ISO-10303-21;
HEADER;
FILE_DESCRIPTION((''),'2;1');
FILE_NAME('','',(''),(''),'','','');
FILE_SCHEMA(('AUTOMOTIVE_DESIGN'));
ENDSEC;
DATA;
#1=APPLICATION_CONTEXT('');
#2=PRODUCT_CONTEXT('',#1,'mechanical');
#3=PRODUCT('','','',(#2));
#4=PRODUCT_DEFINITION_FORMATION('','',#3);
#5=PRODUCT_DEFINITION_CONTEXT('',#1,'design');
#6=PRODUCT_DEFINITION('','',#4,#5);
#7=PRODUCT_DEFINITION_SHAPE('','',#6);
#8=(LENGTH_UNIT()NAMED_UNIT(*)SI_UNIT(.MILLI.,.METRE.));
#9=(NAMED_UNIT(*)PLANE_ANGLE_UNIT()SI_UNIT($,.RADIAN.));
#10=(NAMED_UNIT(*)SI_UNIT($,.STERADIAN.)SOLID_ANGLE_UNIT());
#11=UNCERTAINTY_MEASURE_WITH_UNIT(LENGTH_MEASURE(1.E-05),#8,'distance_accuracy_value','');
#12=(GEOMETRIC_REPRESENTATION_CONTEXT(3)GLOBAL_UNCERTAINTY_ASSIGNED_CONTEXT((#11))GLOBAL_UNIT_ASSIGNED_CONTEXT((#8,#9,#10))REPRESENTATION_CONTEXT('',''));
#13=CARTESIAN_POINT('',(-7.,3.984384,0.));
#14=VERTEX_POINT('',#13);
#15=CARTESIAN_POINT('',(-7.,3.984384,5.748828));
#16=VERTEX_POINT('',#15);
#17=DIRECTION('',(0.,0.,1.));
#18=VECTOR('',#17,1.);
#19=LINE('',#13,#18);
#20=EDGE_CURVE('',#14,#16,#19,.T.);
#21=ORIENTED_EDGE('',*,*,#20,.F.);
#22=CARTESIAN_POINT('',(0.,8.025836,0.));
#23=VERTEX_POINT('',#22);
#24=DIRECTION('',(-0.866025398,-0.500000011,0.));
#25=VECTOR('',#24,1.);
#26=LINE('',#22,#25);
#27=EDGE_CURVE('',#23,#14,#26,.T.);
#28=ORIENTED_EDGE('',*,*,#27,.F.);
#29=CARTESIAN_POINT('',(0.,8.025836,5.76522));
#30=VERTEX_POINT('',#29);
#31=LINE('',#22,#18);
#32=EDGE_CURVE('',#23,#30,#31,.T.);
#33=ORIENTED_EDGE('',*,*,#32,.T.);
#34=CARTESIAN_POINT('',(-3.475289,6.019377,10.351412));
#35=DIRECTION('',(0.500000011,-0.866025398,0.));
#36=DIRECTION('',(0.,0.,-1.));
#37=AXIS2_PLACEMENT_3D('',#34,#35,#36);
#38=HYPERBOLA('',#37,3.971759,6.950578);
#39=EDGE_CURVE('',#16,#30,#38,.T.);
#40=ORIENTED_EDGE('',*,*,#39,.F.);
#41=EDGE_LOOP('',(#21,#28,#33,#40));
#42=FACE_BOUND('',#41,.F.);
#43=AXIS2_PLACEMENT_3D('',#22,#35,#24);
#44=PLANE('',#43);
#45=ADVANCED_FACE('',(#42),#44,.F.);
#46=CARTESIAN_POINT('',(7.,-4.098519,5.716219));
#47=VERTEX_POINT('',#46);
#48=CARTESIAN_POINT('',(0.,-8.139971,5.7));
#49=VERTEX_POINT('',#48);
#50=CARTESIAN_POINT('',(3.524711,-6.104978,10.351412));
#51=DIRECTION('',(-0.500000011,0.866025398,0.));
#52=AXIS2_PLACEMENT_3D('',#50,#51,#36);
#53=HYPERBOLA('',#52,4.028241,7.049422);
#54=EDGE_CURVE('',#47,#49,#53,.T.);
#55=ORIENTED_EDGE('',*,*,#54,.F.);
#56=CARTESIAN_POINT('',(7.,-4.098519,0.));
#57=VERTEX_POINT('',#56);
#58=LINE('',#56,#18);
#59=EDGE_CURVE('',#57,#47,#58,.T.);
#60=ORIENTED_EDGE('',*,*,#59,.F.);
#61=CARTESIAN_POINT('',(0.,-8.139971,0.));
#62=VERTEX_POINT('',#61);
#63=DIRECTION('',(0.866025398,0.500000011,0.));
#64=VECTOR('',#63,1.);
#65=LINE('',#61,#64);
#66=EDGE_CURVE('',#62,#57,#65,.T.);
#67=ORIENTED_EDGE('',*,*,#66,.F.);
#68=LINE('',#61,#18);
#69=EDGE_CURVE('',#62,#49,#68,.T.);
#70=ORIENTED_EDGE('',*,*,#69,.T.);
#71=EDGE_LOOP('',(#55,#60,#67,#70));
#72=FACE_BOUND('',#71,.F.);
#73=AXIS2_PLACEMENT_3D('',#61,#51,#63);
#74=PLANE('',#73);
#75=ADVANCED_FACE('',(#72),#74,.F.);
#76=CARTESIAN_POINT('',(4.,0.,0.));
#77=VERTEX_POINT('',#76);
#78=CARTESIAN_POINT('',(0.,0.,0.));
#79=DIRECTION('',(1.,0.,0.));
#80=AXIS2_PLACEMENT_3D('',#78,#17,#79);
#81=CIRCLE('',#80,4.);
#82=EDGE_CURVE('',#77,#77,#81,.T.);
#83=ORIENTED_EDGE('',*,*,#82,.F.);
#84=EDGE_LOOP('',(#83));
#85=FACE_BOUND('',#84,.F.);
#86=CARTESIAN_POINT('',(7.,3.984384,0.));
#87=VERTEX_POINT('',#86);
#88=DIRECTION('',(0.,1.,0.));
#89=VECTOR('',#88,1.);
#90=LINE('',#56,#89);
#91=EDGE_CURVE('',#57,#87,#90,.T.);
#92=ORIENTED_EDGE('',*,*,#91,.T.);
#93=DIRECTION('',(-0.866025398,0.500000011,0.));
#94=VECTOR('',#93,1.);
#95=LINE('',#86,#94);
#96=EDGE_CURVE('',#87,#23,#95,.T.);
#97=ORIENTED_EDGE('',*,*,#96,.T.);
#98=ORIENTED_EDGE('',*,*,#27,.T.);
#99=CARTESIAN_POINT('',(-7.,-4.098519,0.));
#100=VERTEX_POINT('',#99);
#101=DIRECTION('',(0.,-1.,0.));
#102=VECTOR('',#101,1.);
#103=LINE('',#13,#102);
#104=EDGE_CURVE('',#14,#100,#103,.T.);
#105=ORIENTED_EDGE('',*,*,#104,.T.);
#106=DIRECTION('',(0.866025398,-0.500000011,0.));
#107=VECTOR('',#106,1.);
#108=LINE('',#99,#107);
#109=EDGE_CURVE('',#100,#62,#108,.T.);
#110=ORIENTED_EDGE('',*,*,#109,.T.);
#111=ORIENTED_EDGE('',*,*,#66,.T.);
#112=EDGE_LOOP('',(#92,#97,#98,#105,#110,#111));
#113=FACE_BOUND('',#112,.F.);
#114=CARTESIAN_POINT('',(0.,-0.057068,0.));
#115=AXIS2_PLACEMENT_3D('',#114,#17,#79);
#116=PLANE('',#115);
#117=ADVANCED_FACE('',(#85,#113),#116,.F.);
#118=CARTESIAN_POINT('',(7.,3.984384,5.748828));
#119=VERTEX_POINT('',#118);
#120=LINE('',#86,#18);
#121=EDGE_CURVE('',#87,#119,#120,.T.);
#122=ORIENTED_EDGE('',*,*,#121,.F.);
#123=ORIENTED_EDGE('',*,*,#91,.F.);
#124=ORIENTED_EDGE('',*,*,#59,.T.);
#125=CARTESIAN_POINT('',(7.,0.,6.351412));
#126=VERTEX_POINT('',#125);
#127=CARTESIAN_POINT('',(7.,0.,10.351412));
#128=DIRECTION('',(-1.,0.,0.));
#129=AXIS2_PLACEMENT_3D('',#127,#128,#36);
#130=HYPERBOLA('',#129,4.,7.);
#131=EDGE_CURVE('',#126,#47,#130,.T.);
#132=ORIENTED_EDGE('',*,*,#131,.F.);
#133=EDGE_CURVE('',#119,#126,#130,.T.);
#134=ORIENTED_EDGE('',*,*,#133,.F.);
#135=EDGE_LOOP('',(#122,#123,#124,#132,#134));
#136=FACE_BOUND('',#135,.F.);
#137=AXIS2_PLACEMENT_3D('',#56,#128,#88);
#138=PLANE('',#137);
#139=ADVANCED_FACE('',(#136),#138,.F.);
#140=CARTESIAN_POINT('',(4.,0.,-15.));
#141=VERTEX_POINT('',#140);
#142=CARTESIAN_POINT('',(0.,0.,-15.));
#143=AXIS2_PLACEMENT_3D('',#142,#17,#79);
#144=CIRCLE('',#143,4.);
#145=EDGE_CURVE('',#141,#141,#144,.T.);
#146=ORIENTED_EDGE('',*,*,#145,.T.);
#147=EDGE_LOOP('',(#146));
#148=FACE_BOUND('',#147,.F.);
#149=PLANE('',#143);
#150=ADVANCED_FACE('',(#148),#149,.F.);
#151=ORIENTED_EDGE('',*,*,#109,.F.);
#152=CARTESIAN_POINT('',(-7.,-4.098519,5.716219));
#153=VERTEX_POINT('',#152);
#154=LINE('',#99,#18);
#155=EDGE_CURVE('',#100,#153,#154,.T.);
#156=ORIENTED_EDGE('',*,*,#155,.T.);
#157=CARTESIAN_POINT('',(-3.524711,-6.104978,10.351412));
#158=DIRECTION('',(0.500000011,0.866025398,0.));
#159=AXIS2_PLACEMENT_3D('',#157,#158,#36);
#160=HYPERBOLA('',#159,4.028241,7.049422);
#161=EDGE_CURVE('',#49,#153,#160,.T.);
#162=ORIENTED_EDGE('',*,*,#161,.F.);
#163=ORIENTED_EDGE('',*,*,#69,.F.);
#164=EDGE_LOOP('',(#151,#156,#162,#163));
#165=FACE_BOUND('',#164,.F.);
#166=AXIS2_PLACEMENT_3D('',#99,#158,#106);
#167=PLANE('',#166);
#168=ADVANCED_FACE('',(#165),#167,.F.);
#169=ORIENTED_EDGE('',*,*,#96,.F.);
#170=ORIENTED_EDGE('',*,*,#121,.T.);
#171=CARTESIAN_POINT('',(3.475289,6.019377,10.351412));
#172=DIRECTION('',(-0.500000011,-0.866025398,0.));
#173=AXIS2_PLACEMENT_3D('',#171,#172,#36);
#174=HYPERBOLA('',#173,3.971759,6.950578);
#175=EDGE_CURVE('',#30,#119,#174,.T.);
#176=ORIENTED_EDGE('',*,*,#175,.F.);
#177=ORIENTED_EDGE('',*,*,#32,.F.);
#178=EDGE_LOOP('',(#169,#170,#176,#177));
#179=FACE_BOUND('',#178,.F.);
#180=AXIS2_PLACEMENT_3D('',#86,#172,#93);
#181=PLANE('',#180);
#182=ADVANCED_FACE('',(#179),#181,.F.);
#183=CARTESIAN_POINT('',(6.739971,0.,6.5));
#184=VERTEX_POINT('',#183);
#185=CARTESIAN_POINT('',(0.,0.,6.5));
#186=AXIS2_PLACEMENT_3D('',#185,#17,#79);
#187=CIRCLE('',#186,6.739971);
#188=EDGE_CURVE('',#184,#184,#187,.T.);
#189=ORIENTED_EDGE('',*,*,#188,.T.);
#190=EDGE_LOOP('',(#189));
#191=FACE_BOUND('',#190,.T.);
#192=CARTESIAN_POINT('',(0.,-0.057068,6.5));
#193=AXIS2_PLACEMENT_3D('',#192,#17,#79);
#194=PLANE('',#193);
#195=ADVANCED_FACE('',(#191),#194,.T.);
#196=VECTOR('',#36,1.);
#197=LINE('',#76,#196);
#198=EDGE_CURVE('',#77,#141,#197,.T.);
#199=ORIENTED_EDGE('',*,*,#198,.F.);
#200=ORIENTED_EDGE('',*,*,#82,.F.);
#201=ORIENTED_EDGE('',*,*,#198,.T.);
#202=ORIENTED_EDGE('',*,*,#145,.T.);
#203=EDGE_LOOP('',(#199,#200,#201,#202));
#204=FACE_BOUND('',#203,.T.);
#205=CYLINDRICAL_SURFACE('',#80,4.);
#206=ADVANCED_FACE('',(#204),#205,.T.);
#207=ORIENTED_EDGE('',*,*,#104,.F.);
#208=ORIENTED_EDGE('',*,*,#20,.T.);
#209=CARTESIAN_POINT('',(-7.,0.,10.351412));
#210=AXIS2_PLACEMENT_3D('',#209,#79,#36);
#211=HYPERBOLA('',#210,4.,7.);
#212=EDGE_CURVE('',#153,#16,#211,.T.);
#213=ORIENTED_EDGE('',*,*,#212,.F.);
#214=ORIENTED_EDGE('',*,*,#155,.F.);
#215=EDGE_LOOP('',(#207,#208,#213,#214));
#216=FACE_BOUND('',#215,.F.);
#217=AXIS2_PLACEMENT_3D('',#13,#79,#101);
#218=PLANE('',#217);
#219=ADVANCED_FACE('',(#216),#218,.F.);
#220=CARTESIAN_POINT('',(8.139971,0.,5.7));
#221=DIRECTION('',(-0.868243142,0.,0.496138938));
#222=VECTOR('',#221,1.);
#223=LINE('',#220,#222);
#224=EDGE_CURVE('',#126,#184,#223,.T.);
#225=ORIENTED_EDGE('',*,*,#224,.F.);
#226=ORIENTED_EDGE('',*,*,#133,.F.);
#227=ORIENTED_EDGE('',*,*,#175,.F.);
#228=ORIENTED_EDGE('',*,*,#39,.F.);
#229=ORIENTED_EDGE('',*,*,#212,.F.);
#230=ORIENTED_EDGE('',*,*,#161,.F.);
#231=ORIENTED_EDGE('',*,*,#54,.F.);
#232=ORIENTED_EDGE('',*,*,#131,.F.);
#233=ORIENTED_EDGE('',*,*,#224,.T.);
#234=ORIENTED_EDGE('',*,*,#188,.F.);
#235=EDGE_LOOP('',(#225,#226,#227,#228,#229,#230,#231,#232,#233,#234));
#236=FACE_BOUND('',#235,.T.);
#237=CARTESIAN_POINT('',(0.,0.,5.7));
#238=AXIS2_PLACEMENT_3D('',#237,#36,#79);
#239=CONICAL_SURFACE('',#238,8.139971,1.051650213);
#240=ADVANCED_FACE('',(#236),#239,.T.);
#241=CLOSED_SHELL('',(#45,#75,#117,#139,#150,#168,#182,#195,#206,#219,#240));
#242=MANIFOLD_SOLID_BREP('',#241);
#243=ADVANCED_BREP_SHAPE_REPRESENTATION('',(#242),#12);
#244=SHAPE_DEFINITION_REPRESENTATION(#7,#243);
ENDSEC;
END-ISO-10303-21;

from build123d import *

# Parameters (mm, degrees)
F0_R     = 4
F1_DEPTH = 15
F3_DEPTH = 6.5


with BuildPart() as f1:
    # F0 (on Top) → F1 (new body)
    with BuildSketch(Plane.XY):
        Circle(F0_R)
    extrude(amount=-F1_DEPTH)

    # F2 (on face) → F3 (join)
    with BuildSketch(Plane.XY):
        Polygon((7, 3.984384), (0, 8.025836), (-7, 3.984384), (-7, -4.098519), (0, -8.139971), (7, -4.098519), align=None)
    extrude(amount=F3_DEPTH)

    # F6: sweep along a path in F5
    with BuildLine(Plane.XY.offset(6.5)) as f6_path:
        CenterArc((0, 0), 8.139971, 0, 360)
    # F4 (on Right) → F6 (sweep, cut)
    with BuildSketch(Plane.YZ):
        Polygon((-8.139971, 5.7), (-6.739971, 6.5), (-8.139971, 6.5), align=None)
    sweep(path=f6_path.line, mode=Mode.SUBTRACT)


solid = f1.part
